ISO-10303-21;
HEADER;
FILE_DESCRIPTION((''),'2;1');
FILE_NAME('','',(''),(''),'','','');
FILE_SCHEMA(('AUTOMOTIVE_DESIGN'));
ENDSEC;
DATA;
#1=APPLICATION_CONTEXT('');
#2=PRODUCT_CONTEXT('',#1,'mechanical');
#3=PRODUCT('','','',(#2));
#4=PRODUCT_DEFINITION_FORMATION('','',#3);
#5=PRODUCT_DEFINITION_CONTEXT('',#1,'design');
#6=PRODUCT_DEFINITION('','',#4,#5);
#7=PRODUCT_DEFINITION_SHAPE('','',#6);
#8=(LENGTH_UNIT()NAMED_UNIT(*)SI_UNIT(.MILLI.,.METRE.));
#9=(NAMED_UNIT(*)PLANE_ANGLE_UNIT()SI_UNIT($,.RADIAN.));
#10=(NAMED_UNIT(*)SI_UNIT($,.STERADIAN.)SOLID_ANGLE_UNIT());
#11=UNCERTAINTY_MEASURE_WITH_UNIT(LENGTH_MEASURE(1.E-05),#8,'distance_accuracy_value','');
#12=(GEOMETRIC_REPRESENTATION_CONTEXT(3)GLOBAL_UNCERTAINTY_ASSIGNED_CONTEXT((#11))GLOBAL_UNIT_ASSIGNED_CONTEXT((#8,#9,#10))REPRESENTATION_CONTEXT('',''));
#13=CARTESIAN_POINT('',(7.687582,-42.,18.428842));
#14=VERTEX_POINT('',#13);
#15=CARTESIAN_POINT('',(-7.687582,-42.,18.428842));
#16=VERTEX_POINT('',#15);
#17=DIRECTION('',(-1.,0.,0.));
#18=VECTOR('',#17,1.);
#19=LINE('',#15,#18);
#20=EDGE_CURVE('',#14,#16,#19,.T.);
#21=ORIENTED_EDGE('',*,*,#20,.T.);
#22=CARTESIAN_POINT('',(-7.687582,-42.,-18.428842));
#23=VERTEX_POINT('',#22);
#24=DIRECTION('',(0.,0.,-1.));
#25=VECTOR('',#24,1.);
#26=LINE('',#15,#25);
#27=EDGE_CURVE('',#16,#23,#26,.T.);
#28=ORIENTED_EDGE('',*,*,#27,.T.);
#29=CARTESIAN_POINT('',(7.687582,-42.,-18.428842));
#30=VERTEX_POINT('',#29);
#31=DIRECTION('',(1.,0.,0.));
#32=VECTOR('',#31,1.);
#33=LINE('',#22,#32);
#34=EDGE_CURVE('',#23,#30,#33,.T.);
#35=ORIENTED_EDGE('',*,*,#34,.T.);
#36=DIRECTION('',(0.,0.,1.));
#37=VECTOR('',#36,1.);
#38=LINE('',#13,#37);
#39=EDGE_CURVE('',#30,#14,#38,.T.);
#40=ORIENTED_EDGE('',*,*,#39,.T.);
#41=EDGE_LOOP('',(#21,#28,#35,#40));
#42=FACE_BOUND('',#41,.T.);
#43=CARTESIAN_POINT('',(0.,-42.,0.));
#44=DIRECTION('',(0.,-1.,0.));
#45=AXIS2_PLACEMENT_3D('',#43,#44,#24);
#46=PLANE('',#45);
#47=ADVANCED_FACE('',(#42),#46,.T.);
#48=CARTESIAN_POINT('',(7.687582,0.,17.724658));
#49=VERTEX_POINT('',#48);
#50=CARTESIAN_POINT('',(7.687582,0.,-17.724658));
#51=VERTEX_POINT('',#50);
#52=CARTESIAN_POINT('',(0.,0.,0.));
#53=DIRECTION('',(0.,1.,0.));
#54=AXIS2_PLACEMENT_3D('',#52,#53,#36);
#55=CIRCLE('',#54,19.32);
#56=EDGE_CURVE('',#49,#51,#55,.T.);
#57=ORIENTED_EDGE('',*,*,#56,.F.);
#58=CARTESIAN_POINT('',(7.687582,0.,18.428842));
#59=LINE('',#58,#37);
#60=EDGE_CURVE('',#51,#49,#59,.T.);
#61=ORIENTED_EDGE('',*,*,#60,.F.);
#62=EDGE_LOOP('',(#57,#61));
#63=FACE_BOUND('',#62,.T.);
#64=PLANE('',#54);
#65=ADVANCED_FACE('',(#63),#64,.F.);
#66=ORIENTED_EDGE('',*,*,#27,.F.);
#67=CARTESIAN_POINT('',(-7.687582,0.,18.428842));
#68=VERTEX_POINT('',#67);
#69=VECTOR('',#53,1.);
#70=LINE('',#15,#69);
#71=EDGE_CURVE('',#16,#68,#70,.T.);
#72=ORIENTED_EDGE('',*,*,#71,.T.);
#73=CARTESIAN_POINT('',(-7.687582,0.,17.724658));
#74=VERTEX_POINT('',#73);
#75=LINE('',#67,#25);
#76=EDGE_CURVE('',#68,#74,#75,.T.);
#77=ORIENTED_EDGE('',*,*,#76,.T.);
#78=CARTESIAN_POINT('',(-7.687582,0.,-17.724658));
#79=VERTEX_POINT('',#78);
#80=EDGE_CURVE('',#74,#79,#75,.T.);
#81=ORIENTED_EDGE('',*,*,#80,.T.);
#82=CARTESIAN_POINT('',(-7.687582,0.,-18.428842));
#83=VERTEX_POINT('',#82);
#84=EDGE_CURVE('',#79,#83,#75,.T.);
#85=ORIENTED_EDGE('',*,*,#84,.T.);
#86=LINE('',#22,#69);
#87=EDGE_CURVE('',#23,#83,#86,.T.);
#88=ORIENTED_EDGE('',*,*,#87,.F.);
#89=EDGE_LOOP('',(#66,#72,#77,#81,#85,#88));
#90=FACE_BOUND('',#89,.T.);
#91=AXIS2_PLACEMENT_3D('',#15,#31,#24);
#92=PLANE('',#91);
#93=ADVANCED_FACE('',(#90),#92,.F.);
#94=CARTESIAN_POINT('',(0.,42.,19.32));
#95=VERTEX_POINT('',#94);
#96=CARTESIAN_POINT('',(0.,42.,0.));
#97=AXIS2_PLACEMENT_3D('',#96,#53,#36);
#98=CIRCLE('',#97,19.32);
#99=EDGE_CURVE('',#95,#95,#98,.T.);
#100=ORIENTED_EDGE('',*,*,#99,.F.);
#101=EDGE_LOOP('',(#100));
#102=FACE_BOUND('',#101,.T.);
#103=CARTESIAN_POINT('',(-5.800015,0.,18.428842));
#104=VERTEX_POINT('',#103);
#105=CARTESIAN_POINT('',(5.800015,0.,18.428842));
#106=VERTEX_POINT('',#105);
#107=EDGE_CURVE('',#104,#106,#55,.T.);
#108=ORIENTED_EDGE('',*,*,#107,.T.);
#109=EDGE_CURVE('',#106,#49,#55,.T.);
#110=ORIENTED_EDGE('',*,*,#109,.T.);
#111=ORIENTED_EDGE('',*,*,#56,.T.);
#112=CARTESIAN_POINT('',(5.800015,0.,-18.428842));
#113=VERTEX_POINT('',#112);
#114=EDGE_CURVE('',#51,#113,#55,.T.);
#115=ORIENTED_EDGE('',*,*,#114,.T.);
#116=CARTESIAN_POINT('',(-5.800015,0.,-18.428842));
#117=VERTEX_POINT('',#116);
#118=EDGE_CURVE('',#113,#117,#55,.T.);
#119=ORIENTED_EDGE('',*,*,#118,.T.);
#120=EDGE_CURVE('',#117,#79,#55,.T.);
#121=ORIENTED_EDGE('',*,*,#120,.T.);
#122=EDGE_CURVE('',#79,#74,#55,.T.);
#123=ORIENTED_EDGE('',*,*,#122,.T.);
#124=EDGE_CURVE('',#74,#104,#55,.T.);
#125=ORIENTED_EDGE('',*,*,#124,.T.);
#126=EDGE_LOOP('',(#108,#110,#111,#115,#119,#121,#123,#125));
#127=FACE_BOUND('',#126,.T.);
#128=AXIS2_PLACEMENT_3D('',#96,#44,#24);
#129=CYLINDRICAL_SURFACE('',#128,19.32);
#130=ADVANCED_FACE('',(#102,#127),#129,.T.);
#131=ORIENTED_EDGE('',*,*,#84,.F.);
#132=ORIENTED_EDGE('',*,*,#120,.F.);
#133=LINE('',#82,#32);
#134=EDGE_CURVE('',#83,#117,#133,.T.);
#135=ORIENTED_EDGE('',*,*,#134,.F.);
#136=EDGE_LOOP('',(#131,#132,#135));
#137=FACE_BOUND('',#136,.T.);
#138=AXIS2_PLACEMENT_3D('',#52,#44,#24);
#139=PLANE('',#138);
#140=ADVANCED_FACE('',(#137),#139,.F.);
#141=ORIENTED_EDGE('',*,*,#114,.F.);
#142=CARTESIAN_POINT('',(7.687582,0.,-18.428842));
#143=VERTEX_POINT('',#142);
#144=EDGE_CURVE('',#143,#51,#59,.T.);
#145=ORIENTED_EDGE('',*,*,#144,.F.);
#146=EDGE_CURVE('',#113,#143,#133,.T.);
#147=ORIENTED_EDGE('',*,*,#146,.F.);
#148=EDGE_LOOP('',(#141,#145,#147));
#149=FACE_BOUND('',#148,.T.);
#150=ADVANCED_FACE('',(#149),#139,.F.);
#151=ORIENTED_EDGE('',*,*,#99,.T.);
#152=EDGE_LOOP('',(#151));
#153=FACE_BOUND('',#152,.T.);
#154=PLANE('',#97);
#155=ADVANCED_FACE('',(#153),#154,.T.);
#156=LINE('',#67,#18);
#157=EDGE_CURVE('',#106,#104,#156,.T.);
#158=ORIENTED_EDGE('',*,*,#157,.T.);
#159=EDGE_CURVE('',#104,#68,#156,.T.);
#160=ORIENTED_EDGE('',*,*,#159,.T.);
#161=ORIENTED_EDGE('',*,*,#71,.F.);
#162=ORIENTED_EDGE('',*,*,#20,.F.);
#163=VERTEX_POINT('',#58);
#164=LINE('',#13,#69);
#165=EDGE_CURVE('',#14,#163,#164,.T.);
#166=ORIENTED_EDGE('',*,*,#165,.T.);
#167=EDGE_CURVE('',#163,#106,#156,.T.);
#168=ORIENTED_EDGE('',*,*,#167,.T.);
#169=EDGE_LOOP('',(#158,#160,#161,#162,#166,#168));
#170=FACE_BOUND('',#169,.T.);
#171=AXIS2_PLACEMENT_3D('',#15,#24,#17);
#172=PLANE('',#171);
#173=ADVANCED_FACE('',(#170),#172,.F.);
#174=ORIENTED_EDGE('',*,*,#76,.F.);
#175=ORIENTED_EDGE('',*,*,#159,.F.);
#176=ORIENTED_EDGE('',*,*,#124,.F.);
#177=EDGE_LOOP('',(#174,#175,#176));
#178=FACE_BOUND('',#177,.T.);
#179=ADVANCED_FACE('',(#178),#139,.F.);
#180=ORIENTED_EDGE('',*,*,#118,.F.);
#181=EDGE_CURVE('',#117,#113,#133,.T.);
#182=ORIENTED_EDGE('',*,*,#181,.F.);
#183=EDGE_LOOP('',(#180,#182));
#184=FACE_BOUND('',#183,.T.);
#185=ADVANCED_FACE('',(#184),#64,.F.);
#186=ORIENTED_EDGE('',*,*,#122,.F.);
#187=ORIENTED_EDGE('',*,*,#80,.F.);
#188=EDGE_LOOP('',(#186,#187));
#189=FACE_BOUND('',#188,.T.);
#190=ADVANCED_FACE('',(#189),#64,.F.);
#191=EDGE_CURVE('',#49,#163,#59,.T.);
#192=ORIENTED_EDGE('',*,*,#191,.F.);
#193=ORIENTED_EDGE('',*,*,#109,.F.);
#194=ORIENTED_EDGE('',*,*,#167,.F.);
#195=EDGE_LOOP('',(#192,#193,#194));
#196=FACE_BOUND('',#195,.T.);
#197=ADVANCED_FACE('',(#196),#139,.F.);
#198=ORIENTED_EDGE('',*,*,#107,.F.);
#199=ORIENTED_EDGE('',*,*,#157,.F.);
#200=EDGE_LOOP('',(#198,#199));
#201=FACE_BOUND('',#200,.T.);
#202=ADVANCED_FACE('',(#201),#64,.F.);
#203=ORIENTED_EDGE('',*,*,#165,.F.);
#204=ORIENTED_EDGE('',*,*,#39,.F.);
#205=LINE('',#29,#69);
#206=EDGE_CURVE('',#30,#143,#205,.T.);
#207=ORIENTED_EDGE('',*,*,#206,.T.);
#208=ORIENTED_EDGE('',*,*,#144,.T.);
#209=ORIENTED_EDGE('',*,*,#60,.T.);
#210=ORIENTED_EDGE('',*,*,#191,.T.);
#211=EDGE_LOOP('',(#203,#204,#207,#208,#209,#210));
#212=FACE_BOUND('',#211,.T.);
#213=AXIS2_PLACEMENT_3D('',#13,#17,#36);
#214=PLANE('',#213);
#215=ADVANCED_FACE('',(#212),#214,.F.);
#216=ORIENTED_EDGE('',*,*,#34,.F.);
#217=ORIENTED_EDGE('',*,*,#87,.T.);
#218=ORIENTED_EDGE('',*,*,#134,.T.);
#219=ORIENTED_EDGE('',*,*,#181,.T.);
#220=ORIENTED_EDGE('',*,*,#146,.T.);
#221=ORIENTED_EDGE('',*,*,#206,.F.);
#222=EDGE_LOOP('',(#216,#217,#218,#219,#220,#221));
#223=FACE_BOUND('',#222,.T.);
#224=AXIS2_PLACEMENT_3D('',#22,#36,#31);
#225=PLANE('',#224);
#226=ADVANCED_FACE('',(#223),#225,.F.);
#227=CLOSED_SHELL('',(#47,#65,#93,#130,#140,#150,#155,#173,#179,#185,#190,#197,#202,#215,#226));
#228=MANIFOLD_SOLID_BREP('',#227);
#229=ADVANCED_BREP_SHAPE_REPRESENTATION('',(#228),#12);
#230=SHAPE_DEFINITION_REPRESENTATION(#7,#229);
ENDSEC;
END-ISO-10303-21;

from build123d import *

# Parameters (mm, degrees)
SKETCH_1_R      = 19.32
EXTRUDE_1_DEPTH = 42
SKETCH_2_W      = 15.375163756
SKETCH_2_H      = 36.857684224
EXTRUDE_2_DEPTH = 42


with BuildPart() as part:
    # Эскиз1 → Бобышка-Вытянуть1 (new body)
    with BuildSketch(Plane(origin=(0, 0, 0), x_dir=(1, 0, 0), z_dir=(0, 1, 0))):
        Circle(SKETCH_1_R)
    extrude(amount=EXTRUDE_1_DEPTH)

    # Эскиз2 → Бобышка-Вытянуть2 (add)
    with BuildSketch(Plane.XZ):
        Rectangle(SKETCH_2_W, SKETCH_2_H)
    extrude(amount=EXTRUDE_2_DEPTH)


solid = part.part
